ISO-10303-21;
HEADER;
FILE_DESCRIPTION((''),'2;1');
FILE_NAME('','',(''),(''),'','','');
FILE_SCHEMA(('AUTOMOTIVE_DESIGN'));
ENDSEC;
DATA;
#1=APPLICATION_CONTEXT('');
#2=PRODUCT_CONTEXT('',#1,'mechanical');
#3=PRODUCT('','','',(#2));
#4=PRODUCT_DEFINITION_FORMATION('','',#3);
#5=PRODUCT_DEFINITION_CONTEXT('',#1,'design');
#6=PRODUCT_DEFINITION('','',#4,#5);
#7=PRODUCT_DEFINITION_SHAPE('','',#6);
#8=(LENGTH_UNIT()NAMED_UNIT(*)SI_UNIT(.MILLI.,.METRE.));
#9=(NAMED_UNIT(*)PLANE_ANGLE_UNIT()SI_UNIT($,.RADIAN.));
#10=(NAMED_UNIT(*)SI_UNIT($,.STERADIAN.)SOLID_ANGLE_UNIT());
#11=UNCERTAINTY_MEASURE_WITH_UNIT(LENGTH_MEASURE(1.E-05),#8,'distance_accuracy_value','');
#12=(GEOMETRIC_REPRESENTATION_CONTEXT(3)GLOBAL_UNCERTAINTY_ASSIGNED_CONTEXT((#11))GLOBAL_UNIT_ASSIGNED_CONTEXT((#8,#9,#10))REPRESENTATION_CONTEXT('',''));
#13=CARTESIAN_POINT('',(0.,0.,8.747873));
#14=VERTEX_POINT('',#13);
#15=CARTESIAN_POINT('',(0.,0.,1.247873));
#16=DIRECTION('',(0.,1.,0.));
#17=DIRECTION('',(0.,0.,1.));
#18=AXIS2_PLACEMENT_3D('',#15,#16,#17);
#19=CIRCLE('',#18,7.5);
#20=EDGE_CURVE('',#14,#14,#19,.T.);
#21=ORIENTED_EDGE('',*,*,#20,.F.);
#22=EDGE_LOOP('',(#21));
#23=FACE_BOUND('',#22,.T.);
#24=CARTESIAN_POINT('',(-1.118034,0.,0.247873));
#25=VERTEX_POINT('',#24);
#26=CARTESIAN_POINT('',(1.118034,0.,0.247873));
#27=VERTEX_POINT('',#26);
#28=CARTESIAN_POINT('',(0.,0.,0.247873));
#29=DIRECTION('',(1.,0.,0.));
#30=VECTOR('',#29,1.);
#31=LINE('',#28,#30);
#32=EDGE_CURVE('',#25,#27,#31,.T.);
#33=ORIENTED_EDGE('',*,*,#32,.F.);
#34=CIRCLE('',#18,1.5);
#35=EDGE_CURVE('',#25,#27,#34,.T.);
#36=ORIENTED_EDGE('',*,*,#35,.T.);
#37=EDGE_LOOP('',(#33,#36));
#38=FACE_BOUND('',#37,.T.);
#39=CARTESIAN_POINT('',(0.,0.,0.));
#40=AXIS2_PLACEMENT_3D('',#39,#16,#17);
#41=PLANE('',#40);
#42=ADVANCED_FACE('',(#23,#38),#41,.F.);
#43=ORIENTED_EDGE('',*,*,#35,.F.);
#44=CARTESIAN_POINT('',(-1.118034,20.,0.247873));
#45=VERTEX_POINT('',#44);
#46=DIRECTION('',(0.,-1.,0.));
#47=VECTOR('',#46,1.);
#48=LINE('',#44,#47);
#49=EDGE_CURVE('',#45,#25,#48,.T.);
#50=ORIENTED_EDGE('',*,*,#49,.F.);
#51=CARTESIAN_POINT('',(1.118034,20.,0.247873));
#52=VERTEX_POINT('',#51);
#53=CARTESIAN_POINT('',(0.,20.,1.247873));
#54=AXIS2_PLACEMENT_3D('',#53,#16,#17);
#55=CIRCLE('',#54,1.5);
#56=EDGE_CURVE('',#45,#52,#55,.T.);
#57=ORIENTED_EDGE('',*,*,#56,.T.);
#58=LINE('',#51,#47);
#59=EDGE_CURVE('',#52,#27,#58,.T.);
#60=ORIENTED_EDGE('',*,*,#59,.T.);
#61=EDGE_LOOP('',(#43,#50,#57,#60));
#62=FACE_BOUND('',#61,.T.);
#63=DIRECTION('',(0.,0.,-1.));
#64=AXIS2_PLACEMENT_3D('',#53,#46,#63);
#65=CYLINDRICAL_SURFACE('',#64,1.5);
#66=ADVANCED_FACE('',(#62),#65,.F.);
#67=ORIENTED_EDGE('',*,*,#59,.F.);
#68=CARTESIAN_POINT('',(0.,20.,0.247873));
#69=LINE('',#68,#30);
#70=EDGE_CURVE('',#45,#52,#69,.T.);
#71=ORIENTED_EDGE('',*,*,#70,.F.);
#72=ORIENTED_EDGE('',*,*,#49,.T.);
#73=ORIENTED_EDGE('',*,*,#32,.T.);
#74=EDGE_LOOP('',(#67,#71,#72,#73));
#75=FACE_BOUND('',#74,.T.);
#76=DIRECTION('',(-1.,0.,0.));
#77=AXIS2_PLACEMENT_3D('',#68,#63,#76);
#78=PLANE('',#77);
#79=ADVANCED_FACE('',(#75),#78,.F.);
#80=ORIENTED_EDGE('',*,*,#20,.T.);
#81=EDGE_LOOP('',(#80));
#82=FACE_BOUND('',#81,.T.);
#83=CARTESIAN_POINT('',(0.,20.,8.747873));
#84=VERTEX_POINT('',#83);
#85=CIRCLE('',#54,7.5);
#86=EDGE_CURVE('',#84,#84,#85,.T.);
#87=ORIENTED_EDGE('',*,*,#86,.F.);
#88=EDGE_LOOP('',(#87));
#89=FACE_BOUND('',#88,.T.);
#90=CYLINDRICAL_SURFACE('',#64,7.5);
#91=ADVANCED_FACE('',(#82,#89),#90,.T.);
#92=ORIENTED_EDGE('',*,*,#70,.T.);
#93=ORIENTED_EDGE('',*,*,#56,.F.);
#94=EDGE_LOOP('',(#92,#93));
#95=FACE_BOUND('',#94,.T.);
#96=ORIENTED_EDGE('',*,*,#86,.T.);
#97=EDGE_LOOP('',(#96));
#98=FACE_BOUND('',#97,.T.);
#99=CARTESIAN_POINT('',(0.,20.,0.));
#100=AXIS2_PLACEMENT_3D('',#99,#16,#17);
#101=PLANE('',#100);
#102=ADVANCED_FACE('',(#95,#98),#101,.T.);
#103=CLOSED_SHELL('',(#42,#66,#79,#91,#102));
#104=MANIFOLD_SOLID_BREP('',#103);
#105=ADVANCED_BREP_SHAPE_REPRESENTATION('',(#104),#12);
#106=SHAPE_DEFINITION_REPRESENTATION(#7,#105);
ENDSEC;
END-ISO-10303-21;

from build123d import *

# Parameters (mm, degrees)
SKETCH1_R           = 7.5
BOSS_EXTRUDE1_DEPTH = 20


with BuildPart() as part:
    # Sketch1 → Boss-Extrude1 (new body)
    with BuildSketch(Plane(origin=(0, 0, 0), x_dir=(1, 0, 0), z_dir=(0, 1, 0))):
        with Locations(Location((0, -1.247872528, 0), (0, 0, 270))):
            Circle(SKETCH1_R)
        with BuildLine():
            Line((-1.118033989, -0.247872528), (1.118033989, -0.247872528))
            ThreePointArc((1.118033989, -0.247872528), (0, -2.747872528), (-1.118033989, -0.247872528))
        make_face(mode=Mode.SUBTRACT)
    extrude(amount=BOSS_EXTRUDE1_DEPTH)


solid = part.part
